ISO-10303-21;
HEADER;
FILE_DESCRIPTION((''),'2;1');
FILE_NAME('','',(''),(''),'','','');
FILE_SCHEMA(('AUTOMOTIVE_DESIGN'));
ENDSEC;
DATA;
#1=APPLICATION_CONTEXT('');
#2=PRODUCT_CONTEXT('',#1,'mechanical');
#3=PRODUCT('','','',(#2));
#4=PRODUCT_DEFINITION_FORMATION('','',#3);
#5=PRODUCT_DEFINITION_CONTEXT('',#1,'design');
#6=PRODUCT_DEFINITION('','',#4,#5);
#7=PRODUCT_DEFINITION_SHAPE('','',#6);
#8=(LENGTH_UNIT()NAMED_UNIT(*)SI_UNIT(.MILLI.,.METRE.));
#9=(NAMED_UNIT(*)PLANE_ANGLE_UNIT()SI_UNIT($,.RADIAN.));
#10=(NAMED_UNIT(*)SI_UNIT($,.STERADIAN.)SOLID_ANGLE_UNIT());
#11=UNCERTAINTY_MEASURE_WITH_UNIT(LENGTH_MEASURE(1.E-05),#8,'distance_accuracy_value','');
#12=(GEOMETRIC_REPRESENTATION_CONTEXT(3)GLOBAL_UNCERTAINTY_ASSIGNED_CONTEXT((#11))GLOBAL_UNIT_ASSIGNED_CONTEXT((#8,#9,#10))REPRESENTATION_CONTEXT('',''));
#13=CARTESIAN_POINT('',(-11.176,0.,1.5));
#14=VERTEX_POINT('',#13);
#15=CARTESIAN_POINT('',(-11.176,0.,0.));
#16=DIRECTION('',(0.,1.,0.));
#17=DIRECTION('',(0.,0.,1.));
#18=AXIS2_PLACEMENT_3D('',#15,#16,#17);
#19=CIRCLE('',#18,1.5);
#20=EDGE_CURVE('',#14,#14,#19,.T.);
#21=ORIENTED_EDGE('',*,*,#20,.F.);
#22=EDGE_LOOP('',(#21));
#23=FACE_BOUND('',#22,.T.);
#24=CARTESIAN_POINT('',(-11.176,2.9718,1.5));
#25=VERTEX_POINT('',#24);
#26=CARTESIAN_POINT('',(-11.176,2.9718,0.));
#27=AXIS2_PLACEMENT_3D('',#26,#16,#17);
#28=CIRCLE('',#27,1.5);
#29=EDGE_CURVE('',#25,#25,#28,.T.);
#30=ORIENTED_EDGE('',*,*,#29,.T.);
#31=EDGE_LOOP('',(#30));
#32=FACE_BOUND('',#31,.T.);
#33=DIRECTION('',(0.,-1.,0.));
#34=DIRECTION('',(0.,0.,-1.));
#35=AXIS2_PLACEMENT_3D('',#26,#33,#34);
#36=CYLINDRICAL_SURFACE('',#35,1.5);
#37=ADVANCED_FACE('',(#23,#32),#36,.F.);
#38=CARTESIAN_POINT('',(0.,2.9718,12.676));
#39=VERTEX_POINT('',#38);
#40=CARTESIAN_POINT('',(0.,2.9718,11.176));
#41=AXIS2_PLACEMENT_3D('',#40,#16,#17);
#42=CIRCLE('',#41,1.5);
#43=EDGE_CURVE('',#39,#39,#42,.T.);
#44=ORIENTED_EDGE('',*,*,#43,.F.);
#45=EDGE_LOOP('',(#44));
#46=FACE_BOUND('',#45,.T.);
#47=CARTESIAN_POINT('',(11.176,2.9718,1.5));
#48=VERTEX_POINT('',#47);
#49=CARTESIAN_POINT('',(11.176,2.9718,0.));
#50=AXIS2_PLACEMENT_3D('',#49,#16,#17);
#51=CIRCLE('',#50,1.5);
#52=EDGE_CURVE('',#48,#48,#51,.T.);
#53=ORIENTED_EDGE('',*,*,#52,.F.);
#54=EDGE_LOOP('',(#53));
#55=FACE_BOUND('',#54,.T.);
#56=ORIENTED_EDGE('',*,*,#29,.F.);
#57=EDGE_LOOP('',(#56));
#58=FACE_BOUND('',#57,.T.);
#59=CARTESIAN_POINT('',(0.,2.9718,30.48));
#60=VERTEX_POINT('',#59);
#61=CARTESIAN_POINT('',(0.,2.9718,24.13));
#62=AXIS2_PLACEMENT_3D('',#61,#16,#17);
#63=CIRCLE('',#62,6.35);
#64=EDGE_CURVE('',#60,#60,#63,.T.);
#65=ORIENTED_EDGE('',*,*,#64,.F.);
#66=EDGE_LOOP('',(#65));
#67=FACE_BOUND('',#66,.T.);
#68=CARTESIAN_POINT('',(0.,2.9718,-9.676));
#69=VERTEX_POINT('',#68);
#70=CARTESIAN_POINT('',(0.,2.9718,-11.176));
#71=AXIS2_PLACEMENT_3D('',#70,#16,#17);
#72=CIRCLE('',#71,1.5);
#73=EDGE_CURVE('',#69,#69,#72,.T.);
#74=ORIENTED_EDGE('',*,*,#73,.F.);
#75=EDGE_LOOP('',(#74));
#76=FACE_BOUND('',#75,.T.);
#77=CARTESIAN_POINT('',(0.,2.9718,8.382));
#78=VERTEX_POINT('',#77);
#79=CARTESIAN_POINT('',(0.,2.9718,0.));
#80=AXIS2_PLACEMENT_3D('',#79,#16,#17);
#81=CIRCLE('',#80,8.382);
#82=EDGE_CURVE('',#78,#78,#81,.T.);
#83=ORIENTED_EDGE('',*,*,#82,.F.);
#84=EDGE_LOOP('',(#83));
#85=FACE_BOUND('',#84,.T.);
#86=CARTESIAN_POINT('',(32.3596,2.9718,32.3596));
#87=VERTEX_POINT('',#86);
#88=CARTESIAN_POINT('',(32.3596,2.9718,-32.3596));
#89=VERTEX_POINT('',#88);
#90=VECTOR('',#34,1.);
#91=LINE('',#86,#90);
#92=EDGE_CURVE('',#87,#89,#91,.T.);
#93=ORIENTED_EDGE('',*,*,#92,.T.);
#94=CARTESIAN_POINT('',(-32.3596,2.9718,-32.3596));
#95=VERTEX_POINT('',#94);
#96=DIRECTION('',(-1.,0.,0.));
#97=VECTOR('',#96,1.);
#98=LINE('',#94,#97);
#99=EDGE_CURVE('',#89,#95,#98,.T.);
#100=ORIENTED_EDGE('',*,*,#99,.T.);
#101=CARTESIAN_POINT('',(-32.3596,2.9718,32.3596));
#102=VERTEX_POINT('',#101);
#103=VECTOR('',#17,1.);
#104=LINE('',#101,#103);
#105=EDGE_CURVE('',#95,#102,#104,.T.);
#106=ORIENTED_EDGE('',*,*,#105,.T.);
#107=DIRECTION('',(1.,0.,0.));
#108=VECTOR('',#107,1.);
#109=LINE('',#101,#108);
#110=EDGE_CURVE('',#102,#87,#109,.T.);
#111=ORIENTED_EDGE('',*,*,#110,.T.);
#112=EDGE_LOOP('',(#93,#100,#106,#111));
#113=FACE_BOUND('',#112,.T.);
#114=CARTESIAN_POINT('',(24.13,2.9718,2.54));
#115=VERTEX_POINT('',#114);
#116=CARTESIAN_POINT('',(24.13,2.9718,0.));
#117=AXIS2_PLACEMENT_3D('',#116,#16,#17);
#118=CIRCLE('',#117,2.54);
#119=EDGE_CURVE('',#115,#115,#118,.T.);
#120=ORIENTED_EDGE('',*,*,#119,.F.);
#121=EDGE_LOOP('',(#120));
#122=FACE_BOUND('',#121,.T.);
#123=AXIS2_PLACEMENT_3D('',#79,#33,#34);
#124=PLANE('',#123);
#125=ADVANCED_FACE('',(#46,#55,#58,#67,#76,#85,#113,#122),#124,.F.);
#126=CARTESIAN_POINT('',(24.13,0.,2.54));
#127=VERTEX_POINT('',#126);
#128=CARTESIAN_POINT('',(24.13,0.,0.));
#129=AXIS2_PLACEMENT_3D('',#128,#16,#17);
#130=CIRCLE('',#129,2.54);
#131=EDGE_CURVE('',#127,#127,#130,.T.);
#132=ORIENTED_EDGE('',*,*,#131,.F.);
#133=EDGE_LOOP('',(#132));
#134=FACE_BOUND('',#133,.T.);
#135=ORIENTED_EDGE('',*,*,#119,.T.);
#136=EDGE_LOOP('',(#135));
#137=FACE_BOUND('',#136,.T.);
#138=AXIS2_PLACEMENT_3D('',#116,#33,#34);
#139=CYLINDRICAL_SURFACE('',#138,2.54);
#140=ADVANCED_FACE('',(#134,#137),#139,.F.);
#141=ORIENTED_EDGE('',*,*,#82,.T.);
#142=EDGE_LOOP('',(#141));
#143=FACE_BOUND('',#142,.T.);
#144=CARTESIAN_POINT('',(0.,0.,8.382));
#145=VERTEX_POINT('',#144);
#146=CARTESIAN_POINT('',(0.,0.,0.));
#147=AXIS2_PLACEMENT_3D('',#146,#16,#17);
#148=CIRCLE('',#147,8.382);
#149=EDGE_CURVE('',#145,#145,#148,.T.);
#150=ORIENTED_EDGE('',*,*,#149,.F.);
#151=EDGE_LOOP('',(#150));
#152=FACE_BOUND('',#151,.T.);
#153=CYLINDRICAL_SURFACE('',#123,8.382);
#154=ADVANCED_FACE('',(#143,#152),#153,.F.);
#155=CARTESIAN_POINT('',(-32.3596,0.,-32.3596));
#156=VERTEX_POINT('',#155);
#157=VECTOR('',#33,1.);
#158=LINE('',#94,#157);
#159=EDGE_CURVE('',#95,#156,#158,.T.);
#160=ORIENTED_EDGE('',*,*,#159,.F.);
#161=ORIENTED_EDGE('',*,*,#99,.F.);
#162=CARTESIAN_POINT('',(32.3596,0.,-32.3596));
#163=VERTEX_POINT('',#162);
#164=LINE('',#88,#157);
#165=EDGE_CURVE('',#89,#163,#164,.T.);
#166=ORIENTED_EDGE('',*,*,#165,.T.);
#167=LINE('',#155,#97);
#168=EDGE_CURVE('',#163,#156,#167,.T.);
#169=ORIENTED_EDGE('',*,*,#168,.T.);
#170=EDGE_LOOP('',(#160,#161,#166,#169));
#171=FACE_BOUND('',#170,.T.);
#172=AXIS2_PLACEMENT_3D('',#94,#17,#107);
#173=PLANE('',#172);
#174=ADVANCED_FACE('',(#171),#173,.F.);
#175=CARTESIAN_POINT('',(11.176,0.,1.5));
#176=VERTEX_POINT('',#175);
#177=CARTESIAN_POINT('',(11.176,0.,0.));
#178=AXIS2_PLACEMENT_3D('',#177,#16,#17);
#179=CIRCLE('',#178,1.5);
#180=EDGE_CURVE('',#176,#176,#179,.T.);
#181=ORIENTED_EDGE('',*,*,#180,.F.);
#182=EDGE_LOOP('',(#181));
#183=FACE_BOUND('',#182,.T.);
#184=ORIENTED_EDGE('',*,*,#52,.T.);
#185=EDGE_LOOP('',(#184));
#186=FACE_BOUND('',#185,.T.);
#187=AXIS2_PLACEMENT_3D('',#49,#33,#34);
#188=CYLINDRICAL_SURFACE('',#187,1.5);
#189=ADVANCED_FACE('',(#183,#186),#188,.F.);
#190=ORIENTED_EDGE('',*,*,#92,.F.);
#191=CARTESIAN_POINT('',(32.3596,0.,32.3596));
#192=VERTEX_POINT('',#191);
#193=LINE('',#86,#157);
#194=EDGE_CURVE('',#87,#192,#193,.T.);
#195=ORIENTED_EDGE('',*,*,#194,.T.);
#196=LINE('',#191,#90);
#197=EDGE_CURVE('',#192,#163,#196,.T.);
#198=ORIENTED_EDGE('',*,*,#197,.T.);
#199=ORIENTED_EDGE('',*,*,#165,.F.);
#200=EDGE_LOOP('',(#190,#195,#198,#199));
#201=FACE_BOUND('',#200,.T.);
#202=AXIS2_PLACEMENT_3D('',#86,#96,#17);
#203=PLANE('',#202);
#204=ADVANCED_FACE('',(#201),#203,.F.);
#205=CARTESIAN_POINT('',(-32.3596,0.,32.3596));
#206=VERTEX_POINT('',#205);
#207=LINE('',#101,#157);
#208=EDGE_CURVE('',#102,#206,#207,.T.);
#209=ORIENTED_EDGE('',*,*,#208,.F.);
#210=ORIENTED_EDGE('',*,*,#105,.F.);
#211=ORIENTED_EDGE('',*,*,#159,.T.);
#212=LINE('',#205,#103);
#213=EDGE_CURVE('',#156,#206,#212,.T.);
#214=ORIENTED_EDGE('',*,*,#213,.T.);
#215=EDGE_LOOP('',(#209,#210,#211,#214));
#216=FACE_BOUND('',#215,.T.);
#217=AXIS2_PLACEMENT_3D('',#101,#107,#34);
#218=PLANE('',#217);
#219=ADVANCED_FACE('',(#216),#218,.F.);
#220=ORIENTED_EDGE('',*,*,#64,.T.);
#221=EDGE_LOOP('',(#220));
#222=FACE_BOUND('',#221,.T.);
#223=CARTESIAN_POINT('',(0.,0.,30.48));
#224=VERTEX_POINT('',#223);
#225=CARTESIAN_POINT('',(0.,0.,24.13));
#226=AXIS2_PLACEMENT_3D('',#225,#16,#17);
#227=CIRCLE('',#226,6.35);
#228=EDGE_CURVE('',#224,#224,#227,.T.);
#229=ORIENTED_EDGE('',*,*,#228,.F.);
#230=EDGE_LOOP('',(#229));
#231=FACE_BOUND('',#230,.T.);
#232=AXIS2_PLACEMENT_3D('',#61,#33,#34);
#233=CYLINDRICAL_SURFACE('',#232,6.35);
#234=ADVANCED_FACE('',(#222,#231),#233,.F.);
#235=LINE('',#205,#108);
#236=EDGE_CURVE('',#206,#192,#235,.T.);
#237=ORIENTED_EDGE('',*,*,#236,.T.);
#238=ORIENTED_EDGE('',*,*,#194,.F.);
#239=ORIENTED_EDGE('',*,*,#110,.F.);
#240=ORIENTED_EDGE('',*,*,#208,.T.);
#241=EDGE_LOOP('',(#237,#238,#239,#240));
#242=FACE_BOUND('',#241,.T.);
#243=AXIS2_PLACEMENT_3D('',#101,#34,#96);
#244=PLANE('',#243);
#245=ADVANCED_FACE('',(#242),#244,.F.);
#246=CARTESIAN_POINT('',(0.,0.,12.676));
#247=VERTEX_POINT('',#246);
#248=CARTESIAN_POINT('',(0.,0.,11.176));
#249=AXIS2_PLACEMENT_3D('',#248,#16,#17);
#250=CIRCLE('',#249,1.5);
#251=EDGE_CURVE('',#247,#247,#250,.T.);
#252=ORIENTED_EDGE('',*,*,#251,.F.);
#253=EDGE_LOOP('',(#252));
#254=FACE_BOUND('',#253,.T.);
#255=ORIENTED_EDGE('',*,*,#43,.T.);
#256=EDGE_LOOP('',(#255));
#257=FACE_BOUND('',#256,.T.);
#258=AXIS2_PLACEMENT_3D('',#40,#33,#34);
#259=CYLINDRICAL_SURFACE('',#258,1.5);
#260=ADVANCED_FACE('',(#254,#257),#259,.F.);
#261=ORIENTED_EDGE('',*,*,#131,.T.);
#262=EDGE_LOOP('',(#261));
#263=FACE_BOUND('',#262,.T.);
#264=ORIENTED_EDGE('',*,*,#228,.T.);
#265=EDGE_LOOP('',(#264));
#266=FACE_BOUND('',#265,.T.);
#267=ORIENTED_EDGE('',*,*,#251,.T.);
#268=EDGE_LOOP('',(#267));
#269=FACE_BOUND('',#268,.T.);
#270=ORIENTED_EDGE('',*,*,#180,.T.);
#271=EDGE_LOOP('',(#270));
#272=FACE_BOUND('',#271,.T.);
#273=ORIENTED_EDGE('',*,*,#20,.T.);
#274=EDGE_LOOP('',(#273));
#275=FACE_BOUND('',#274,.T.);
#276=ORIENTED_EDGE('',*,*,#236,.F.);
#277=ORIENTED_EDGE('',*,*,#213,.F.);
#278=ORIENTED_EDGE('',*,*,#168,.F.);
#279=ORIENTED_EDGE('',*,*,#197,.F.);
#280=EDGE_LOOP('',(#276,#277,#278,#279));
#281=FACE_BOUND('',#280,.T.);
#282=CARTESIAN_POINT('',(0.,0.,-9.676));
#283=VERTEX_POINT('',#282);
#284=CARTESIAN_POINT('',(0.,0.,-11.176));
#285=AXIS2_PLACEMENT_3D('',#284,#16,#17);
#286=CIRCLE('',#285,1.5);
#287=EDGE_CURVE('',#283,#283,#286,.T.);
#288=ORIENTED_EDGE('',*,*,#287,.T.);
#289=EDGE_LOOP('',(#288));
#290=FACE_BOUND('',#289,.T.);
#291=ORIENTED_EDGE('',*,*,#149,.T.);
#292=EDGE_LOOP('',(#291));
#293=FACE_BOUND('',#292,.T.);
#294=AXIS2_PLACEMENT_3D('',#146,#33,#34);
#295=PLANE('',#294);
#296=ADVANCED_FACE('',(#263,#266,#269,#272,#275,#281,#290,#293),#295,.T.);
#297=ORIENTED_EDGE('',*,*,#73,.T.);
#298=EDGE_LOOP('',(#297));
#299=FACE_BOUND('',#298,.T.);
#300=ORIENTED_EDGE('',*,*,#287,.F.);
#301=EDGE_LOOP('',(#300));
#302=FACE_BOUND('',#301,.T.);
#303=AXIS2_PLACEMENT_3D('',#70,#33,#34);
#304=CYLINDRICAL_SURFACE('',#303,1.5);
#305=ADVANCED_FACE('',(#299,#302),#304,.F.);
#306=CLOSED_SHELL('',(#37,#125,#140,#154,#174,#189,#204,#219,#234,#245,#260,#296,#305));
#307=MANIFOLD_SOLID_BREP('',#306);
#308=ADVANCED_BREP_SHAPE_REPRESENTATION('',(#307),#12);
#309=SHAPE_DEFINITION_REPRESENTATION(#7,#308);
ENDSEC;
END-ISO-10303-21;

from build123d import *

# Parameters (mm, degrees)
SKETCH1_W           = 64.7192
SKETCH1_H           = 64.7192
SKETCH1_R           = 2.54
SKETCH1_R_2         = 6.35
SKETCH1_R_3         = 8.382
SKETCH1_R_4         = 1.5
BOSS_EXTRUDE1_DEPTH = 2.9718


with BuildPart() as part:
    # Sketch1 → Boss-Extrude1 (new body)
    with BuildSketch(Plane(origin=(0, 0, 0), x_dir=(1, 0, 0), z_dir=(0, 1, 0))):
        Rectangle(SKETCH1_W, SKETCH1_H)
        with Locations(Location((24.13, 0, 0), (0, 0, 270))):
            Circle(SKETCH1_R, mode=Mode.SUBTRACT)
        with Locations(Location((0, -24.13, 0), (0, 0, 270))):
            Circle(SKETCH1_R_2, mode=Mode.SUBTRACT)
        with Locations(Location((0, 0, 0), (0, 0, 270))):
            Circle(SKETCH1_R_3, mode=Mode.SUBTRACT)
        with Locations(Location((0, 11.176, 0), (0, 0, 270))):
            Circle(SKETCH1_R_4, mode=Mode.SUBTRACT)
        with Locations(Location((11.176, 0, 0), (0, 0, 270))):
            Circle(SKETCH1_R_4, mode=Mode.SUBTRACT)
        with Locations(Location((0, -11.176, 0), (0, 0, 270))):
            Circle(SKETCH1_R_4, mode=Mode.SUBTRACT)
        with Locations(Location((-11.176, 0, 0), (0, 0, 270))):
            Circle(SKETCH1_R_4, mode=Mode.SUBTRACT)
    extrude(amount=BOSS_EXTRUDE1_DEPTH)


solid = part.part
